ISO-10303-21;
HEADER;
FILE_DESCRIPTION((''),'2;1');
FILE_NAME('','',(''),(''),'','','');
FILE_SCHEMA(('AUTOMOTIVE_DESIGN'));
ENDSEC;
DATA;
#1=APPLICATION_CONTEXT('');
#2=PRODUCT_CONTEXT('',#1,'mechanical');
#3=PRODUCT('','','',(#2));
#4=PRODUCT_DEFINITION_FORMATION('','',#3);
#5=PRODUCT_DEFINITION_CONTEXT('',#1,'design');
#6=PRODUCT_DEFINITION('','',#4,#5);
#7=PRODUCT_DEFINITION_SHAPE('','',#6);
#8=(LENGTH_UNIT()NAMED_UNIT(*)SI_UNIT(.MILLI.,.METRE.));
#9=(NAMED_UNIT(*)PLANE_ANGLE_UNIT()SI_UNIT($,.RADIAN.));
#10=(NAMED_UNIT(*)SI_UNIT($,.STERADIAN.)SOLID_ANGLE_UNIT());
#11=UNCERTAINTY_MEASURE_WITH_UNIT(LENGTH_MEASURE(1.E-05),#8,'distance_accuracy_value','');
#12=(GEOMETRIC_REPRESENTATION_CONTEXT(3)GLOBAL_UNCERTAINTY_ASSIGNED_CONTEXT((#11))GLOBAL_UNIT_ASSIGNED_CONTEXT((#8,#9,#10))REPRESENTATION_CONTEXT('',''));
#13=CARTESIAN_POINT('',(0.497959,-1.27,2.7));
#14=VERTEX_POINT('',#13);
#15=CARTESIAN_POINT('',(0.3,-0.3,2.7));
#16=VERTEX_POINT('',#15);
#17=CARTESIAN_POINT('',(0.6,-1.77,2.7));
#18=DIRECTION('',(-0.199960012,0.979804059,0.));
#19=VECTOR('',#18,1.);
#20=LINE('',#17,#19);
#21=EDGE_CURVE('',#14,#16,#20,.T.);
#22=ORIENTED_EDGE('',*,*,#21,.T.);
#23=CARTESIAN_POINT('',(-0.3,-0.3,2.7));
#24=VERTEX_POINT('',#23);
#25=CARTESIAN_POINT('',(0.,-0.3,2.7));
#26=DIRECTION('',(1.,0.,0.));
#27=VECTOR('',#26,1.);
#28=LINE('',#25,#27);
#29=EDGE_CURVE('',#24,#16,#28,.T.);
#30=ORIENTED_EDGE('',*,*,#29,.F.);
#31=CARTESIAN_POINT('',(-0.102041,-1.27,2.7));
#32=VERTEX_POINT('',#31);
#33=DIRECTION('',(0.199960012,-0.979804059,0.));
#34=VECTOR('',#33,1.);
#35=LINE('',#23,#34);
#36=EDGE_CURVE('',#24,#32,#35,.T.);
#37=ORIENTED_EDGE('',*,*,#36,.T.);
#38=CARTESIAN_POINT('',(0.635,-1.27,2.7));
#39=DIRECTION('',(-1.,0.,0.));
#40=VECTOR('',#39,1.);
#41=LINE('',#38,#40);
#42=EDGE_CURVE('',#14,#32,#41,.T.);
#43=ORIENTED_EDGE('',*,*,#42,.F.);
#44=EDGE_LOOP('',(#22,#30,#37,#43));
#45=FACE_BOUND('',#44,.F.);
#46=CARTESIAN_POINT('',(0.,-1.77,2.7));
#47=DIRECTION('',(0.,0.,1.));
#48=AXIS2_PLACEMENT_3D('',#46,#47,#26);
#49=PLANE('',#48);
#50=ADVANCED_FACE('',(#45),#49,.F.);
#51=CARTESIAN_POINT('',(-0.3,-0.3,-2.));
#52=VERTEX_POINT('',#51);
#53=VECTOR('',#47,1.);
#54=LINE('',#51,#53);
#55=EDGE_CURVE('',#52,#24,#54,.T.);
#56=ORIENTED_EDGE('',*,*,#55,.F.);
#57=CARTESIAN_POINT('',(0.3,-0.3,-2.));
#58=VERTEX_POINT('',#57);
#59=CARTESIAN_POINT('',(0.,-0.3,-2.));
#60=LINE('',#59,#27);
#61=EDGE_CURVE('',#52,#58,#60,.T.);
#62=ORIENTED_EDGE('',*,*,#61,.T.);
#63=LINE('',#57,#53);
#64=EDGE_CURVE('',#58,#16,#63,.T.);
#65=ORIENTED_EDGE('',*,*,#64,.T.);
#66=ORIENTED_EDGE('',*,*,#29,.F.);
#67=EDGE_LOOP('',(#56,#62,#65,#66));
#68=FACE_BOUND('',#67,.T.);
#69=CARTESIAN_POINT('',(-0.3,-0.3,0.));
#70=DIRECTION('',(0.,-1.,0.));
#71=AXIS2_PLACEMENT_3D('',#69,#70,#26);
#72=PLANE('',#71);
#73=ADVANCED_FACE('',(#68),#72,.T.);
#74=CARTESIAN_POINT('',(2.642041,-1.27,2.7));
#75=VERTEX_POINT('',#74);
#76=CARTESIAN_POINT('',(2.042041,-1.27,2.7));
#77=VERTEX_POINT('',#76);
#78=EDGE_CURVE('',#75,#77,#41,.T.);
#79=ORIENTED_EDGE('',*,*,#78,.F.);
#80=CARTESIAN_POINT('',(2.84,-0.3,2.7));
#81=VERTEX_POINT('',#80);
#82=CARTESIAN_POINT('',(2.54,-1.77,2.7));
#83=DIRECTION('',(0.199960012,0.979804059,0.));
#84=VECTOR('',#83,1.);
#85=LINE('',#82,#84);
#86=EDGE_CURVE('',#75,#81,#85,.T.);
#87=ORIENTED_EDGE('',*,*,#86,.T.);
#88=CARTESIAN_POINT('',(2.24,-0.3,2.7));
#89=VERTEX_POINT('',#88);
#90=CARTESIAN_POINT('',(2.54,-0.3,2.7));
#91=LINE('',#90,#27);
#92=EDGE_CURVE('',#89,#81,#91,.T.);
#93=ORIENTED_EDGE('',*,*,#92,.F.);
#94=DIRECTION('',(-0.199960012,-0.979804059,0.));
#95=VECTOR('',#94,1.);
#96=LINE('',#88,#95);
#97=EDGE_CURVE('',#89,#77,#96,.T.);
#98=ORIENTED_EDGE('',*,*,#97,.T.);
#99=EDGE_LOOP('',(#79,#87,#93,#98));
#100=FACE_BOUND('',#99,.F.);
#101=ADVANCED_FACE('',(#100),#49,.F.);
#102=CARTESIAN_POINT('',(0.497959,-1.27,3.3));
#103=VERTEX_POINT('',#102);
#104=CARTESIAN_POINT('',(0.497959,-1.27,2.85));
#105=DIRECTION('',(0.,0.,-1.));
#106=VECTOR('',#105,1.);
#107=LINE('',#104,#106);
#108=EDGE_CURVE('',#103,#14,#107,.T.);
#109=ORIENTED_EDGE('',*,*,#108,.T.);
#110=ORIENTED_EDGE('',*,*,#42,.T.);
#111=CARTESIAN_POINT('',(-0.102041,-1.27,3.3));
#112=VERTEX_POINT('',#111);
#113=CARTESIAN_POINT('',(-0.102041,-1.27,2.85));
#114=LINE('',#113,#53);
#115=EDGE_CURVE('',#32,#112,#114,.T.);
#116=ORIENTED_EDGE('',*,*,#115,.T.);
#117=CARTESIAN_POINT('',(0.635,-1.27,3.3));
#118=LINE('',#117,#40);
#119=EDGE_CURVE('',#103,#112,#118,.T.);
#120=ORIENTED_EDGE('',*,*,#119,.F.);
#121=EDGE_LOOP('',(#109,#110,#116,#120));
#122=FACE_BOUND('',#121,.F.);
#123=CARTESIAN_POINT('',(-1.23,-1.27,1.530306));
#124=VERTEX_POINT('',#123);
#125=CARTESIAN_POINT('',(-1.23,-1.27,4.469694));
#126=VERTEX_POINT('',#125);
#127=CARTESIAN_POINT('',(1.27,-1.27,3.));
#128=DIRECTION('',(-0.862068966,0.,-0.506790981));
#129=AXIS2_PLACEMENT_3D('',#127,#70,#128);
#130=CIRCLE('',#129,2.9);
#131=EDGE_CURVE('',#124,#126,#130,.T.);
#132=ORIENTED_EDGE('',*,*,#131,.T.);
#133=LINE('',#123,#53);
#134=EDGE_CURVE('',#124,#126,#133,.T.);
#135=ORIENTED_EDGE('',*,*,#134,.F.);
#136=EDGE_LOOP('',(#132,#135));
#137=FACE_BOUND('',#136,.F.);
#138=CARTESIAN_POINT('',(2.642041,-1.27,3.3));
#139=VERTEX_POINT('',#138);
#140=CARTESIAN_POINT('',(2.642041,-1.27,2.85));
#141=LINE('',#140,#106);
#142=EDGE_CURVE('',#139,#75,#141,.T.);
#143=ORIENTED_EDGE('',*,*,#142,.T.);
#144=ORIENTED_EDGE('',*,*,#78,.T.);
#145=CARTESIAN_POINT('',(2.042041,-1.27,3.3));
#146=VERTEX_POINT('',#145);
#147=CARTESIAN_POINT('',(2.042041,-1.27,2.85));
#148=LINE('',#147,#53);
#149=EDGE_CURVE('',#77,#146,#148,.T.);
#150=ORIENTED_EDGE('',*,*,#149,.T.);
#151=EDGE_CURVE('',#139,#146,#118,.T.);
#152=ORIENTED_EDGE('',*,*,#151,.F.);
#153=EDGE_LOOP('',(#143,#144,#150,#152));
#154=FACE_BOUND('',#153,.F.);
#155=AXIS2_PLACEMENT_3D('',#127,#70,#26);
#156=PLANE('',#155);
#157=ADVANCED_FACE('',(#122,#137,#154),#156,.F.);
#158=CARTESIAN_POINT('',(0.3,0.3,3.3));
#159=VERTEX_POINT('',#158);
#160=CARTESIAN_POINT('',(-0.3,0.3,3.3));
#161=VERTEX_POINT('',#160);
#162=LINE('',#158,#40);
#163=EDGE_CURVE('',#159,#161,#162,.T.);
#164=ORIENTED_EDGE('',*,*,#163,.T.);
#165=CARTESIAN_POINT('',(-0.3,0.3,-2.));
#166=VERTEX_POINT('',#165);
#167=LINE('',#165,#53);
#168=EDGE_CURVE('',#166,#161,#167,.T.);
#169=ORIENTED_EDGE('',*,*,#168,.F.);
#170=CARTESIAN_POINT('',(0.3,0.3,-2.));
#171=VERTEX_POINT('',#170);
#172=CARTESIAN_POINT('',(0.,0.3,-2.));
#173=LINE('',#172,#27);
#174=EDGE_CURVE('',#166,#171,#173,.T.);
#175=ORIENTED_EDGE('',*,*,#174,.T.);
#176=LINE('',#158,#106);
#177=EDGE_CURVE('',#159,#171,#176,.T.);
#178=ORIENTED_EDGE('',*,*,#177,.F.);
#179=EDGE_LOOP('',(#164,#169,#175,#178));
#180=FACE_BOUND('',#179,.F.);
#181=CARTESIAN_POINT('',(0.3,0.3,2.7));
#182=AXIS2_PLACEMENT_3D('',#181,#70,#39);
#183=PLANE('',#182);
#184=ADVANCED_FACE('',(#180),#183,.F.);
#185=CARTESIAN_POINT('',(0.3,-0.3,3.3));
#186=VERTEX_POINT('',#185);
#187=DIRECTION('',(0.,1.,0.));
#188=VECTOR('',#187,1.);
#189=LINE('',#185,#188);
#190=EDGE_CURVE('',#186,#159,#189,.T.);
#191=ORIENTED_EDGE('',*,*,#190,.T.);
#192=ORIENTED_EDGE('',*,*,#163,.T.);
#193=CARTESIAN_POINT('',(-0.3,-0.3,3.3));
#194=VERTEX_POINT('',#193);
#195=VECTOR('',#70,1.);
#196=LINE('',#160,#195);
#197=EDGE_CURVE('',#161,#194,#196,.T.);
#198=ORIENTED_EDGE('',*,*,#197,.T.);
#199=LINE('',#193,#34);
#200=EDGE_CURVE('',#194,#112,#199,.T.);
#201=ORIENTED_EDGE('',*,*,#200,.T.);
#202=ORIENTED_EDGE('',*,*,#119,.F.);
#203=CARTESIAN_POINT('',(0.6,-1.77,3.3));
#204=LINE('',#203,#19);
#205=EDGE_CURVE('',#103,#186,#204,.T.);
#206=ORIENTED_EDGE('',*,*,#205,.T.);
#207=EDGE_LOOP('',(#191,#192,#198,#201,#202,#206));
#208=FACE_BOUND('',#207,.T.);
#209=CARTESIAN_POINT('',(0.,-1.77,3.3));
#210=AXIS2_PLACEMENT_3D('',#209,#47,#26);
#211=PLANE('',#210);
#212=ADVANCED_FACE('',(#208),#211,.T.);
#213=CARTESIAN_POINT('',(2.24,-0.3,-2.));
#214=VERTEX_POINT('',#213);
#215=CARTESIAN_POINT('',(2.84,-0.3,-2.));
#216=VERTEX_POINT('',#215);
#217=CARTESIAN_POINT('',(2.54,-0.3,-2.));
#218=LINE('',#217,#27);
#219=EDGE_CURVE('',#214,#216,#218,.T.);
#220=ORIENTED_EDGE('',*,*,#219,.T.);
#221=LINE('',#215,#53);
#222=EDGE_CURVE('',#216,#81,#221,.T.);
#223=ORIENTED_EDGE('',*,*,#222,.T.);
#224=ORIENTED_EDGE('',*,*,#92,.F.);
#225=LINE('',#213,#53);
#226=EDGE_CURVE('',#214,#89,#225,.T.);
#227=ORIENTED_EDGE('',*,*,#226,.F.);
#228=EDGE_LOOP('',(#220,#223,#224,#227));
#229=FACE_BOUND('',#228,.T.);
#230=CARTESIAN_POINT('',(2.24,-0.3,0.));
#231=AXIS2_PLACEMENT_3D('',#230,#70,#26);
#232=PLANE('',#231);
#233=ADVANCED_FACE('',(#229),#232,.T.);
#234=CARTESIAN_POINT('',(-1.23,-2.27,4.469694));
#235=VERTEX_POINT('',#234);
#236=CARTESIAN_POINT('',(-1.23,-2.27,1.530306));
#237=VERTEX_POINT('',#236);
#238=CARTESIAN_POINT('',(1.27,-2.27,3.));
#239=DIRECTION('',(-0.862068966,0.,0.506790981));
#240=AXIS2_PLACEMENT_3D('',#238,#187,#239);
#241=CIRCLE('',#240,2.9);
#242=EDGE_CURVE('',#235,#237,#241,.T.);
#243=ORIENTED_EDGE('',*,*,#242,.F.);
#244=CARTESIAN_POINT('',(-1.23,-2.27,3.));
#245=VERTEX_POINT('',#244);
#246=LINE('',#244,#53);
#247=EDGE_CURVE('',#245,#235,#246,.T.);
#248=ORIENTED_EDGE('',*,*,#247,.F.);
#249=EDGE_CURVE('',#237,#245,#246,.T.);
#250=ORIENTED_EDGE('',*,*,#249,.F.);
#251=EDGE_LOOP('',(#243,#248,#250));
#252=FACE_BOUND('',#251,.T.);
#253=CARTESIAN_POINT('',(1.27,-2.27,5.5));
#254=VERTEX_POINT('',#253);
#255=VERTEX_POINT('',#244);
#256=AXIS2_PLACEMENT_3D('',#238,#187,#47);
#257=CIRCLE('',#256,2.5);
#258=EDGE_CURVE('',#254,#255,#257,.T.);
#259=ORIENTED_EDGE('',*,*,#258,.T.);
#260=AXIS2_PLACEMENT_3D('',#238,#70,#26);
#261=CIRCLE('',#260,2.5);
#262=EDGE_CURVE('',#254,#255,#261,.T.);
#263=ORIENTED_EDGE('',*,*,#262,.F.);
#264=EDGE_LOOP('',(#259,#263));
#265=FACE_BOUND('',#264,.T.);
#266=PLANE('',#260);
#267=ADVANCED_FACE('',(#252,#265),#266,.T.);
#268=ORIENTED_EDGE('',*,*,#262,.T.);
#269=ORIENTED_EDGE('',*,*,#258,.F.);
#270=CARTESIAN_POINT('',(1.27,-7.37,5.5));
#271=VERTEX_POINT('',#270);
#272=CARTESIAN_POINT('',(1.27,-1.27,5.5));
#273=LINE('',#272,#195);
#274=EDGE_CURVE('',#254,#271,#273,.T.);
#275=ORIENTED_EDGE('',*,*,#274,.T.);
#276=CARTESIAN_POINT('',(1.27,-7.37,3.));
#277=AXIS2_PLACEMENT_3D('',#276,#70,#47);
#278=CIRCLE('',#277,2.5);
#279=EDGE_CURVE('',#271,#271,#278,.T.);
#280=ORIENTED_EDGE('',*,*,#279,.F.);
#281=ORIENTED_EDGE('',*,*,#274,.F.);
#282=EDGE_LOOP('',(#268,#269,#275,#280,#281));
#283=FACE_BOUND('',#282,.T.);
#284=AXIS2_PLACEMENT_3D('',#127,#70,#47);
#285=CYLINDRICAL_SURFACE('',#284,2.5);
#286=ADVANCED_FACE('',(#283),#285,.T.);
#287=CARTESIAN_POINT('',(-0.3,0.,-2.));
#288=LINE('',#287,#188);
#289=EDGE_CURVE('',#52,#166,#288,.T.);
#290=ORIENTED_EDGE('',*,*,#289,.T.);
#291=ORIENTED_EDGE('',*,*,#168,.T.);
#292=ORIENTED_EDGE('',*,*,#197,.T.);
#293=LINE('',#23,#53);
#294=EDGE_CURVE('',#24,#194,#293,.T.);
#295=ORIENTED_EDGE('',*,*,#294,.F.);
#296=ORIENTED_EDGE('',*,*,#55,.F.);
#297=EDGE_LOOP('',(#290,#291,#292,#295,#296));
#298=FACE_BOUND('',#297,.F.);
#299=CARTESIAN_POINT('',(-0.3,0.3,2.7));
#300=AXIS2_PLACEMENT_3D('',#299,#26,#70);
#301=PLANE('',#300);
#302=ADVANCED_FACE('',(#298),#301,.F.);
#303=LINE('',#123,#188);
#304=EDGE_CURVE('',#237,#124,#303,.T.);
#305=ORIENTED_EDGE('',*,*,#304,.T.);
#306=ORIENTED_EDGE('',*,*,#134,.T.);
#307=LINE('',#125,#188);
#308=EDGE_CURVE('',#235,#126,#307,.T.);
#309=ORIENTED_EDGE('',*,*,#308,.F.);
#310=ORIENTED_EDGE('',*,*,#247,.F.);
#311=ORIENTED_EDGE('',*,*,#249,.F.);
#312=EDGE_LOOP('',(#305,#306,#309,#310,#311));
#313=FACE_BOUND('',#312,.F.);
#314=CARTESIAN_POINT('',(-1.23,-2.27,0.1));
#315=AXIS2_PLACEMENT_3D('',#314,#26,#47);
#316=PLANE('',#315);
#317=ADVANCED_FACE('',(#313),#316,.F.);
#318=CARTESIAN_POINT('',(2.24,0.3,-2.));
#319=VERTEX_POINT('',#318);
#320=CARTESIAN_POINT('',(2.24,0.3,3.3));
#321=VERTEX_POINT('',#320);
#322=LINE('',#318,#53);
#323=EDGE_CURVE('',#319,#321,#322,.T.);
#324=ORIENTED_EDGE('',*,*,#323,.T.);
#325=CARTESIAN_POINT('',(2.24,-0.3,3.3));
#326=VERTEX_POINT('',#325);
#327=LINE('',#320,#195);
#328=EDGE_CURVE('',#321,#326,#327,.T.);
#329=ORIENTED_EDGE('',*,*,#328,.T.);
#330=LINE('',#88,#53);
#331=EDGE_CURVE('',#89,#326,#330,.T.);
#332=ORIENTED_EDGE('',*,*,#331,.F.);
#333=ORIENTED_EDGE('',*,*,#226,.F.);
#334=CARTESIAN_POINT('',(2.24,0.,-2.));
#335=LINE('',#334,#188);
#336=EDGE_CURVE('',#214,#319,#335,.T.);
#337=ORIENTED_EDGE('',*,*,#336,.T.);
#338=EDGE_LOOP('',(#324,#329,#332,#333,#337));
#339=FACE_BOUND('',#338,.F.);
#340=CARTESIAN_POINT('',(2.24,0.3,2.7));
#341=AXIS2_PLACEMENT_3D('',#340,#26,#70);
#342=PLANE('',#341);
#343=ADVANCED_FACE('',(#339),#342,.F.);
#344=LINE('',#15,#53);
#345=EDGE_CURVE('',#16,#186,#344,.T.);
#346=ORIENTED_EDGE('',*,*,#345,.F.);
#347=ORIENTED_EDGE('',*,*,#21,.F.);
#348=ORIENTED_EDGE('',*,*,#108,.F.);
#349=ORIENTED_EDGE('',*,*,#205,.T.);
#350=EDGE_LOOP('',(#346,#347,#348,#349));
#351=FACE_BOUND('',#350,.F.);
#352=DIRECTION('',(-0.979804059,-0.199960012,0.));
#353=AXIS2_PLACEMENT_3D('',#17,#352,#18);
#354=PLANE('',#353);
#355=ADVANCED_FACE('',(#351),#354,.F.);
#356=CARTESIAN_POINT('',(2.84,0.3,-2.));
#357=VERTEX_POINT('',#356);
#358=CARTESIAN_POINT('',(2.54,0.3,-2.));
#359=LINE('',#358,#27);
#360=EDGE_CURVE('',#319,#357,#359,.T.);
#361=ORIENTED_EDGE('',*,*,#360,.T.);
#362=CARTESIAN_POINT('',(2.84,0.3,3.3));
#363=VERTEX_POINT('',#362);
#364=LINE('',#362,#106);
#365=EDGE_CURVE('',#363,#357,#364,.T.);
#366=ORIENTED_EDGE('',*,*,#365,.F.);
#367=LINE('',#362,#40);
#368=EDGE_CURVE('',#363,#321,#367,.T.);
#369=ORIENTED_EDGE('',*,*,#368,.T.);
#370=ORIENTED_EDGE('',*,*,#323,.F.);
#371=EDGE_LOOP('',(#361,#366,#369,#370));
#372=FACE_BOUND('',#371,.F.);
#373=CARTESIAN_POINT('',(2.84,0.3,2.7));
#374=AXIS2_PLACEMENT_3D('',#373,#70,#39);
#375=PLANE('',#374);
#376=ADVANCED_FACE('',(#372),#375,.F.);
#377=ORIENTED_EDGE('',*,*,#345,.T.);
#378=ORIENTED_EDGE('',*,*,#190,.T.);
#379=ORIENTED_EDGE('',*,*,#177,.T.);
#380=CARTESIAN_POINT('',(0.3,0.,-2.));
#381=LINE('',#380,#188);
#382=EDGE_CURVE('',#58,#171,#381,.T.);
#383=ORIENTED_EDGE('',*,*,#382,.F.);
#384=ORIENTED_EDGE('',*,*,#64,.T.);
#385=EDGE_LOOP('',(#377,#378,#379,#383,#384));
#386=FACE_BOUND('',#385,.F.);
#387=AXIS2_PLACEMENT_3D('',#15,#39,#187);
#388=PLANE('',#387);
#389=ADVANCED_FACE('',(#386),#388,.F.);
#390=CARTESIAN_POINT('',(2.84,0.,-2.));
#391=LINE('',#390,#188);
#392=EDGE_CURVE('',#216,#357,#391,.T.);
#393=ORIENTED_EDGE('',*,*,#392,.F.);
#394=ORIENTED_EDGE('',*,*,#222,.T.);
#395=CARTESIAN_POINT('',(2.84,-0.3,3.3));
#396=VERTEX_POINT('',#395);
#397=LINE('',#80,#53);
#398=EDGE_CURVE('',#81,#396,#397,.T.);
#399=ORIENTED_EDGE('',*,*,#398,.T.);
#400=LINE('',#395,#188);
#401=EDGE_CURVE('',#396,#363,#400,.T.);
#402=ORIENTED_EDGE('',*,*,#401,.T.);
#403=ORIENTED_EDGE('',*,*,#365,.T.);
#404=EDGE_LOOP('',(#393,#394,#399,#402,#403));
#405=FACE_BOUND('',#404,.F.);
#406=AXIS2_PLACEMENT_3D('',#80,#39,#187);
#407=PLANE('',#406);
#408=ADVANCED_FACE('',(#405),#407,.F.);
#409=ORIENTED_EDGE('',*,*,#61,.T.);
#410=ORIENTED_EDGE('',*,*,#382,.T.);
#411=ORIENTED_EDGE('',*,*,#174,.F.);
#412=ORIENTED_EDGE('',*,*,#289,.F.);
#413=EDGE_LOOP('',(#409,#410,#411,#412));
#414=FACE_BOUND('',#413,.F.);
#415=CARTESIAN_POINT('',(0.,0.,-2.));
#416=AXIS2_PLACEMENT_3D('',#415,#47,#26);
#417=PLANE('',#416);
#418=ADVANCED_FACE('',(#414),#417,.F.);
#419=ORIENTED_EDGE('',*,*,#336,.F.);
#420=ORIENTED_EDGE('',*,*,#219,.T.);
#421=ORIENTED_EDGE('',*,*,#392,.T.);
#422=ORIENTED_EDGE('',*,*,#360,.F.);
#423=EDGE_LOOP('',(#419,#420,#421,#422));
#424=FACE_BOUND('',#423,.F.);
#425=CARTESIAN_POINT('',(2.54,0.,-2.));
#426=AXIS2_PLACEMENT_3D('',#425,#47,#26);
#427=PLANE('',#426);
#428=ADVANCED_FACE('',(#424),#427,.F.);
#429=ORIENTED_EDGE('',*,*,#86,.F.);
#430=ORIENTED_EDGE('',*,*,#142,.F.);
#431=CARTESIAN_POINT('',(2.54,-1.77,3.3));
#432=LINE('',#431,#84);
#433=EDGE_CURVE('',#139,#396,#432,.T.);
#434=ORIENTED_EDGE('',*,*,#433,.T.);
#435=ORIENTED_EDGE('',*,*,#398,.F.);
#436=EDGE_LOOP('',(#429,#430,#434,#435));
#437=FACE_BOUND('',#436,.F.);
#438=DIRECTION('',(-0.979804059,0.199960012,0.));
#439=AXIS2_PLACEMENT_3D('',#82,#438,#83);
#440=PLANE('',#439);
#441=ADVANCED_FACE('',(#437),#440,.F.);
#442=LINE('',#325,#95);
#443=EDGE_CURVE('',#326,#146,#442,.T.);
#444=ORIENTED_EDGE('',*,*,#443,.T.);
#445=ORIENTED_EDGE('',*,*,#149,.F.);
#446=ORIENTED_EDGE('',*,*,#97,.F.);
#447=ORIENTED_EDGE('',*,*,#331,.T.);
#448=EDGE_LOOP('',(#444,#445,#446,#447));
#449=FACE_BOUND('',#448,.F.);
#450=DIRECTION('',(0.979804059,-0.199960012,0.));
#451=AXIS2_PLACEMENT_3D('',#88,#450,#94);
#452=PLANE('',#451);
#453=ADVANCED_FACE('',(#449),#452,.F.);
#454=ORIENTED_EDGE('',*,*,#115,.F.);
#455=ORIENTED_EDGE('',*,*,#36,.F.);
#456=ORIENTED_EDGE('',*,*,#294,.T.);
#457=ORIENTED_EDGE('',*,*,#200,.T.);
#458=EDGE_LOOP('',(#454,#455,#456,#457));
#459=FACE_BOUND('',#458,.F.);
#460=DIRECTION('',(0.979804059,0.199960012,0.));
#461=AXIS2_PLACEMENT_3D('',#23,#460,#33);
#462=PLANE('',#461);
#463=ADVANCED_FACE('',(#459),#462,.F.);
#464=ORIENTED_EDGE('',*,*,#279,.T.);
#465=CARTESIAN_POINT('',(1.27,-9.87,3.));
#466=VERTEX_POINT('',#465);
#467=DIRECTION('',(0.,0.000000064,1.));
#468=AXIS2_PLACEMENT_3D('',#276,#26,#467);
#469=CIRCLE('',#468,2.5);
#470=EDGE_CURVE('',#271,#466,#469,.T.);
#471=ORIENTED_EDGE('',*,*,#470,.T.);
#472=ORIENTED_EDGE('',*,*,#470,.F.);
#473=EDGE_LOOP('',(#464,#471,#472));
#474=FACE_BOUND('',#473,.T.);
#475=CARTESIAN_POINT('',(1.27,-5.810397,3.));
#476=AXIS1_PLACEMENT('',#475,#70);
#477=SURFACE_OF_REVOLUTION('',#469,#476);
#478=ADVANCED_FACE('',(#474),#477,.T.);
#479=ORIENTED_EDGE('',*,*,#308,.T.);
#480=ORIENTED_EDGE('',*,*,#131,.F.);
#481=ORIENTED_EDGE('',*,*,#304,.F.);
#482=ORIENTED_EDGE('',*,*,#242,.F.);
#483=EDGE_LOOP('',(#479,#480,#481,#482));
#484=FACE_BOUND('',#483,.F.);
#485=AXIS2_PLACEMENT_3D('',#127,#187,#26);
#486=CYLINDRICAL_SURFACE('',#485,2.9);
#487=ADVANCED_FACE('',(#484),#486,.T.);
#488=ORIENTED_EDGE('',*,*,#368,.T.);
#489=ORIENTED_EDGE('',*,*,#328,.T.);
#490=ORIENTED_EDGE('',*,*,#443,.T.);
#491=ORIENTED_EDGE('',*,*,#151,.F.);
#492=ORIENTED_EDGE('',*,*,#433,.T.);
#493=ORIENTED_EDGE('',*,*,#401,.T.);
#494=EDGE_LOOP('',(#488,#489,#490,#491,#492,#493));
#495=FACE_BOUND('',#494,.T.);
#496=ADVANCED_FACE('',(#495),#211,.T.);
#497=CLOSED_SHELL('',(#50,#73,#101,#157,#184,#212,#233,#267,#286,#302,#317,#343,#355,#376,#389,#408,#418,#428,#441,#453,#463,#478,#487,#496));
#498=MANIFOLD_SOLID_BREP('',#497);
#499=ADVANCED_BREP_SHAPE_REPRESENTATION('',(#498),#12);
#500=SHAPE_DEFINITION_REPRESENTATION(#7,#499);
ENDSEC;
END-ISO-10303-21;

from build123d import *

# Parameters (mm, degrees)
PAD001_DEPTH   = 0.6
SKETCH002_W    = 2.54
SKETCH002_H    = 0.6
PAD002_DEPTH   = 1
SKETCH004_R    = 2.9
SKETCH004_R_2  = 2.5
PAD003_DEPTH   = 1
SKETCH006_W    = 0.4
SKETCH006_H    = 5.8
POCKET_DEPTH   = 1.001
SKETCH_W       = 0.6
SKETCH_H       = 0.6
PAD_DEPTH      = 2.7
PAD_DEPTH_BACK = 2


with BuildPart() as pad001:
    # Sketch001 → Pad001 (new body)
    with BuildSketch(Plane.XY.offset(2.7)):
        Polygon((0.3, 0.3), (-0.3, 0.3), (-0.3, -0.3), (0, -1.77), (0.6, -1.77), (0.3, -0.3), align=None)
        Polygon((2.84, 0.3), (2.24, 0.3), (2.24, -0.3), (1.94, -1.77), (2.54, -1.77), (2.84, -0.3), align=None)
    extrude(amount=PAD001_DEPTH)


with BuildPart() as pad002:
    # Sketch002 → Pad002 (new body)
    with BuildSketch(Plane.XZ.offset(1.77)):
        with Locations((1.27, 3)):
            Rectangle(SKETCH002_W, SKETCH002_H)
    extrude(amount=PAD002_DEPTH)


with BuildPart() as revolution:
    # Sketch003 → Revolution (revolve)
    with BuildSketch(Plane.YZ.offset(1.27)):
        with BuildLine():
            Line((-1.27, 3), (-9.87, 3))
            ThreePointArc((-7.37, 5.5), (-9.137767, 4.767767), (-9.87, 3))
            Line((-1.27, 5.5), (-7.37, 5.5))
            Line((-1.27, 3), (-1.27, 5.5))
        make_face()
    revolve(axis=Axis((1.27, -5.810397, 3), (0, -1, 0)))


with BuildPart() as revolution001:
    # Sketch005 → Revolution001 (revolve)
    with BuildSketch(Plane.YZ.offset(1.27)):
        Polygon((-2.47, 3), (-2.97, 3), (-2.97, 3.5), align=None)
    revolve(axis=Axis((1.27, -3.977201, 3), (0, -1, 0)))


with BuildPart() as pocket:
    # Sketch004 → Pad003 (new body)
    with BuildSketch(Plane.XZ.offset(1.27)):
        with Locations((1.27, 3)):
            Circle(SKETCH004_R)
        with Locations((1.27, 3)):
            Circle(SKETCH004_R_2, mode=Mode.SUBTRACT)
    extrude(amount=PAD003_DEPTH)

    # Sketch006 → Pocket (cut, through all)
    with BuildSketch(Plane.XZ.offset(2.27)):
        with Locations((-1.43, 3)):
            Rectangle(SKETCH006_W, SKETCH006_H)
    extrude(amount=-POCKET_DEPTH, mode=Mode.SUBTRACT)


with BuildPart() as pad_mp_cp:
    # Sketch → Pad (new body, two sides)
    with BuildSketch(Plane.XY) as pad_sk:
        Rectangle(SKETCH_W, SKETCH_H)
        with Locations((2.54, 0)):
            Rectangle(SKETCH_W, SKETCH_H)
    extrude(amount=PAD_DEPTH)
    extrude(pad_sk.sketch, amount=-PAD_DEPTH_BACK)

    # Pad_mp_cp: union Pad001, Pad002, Revolution, Revolution001, Pocket
    add(pad001.part)
    add(pad002.part)
    add(revolution.part)
    add(revolution001.part)
    add(pocket.part)


solid = pad_mp_cp.part
